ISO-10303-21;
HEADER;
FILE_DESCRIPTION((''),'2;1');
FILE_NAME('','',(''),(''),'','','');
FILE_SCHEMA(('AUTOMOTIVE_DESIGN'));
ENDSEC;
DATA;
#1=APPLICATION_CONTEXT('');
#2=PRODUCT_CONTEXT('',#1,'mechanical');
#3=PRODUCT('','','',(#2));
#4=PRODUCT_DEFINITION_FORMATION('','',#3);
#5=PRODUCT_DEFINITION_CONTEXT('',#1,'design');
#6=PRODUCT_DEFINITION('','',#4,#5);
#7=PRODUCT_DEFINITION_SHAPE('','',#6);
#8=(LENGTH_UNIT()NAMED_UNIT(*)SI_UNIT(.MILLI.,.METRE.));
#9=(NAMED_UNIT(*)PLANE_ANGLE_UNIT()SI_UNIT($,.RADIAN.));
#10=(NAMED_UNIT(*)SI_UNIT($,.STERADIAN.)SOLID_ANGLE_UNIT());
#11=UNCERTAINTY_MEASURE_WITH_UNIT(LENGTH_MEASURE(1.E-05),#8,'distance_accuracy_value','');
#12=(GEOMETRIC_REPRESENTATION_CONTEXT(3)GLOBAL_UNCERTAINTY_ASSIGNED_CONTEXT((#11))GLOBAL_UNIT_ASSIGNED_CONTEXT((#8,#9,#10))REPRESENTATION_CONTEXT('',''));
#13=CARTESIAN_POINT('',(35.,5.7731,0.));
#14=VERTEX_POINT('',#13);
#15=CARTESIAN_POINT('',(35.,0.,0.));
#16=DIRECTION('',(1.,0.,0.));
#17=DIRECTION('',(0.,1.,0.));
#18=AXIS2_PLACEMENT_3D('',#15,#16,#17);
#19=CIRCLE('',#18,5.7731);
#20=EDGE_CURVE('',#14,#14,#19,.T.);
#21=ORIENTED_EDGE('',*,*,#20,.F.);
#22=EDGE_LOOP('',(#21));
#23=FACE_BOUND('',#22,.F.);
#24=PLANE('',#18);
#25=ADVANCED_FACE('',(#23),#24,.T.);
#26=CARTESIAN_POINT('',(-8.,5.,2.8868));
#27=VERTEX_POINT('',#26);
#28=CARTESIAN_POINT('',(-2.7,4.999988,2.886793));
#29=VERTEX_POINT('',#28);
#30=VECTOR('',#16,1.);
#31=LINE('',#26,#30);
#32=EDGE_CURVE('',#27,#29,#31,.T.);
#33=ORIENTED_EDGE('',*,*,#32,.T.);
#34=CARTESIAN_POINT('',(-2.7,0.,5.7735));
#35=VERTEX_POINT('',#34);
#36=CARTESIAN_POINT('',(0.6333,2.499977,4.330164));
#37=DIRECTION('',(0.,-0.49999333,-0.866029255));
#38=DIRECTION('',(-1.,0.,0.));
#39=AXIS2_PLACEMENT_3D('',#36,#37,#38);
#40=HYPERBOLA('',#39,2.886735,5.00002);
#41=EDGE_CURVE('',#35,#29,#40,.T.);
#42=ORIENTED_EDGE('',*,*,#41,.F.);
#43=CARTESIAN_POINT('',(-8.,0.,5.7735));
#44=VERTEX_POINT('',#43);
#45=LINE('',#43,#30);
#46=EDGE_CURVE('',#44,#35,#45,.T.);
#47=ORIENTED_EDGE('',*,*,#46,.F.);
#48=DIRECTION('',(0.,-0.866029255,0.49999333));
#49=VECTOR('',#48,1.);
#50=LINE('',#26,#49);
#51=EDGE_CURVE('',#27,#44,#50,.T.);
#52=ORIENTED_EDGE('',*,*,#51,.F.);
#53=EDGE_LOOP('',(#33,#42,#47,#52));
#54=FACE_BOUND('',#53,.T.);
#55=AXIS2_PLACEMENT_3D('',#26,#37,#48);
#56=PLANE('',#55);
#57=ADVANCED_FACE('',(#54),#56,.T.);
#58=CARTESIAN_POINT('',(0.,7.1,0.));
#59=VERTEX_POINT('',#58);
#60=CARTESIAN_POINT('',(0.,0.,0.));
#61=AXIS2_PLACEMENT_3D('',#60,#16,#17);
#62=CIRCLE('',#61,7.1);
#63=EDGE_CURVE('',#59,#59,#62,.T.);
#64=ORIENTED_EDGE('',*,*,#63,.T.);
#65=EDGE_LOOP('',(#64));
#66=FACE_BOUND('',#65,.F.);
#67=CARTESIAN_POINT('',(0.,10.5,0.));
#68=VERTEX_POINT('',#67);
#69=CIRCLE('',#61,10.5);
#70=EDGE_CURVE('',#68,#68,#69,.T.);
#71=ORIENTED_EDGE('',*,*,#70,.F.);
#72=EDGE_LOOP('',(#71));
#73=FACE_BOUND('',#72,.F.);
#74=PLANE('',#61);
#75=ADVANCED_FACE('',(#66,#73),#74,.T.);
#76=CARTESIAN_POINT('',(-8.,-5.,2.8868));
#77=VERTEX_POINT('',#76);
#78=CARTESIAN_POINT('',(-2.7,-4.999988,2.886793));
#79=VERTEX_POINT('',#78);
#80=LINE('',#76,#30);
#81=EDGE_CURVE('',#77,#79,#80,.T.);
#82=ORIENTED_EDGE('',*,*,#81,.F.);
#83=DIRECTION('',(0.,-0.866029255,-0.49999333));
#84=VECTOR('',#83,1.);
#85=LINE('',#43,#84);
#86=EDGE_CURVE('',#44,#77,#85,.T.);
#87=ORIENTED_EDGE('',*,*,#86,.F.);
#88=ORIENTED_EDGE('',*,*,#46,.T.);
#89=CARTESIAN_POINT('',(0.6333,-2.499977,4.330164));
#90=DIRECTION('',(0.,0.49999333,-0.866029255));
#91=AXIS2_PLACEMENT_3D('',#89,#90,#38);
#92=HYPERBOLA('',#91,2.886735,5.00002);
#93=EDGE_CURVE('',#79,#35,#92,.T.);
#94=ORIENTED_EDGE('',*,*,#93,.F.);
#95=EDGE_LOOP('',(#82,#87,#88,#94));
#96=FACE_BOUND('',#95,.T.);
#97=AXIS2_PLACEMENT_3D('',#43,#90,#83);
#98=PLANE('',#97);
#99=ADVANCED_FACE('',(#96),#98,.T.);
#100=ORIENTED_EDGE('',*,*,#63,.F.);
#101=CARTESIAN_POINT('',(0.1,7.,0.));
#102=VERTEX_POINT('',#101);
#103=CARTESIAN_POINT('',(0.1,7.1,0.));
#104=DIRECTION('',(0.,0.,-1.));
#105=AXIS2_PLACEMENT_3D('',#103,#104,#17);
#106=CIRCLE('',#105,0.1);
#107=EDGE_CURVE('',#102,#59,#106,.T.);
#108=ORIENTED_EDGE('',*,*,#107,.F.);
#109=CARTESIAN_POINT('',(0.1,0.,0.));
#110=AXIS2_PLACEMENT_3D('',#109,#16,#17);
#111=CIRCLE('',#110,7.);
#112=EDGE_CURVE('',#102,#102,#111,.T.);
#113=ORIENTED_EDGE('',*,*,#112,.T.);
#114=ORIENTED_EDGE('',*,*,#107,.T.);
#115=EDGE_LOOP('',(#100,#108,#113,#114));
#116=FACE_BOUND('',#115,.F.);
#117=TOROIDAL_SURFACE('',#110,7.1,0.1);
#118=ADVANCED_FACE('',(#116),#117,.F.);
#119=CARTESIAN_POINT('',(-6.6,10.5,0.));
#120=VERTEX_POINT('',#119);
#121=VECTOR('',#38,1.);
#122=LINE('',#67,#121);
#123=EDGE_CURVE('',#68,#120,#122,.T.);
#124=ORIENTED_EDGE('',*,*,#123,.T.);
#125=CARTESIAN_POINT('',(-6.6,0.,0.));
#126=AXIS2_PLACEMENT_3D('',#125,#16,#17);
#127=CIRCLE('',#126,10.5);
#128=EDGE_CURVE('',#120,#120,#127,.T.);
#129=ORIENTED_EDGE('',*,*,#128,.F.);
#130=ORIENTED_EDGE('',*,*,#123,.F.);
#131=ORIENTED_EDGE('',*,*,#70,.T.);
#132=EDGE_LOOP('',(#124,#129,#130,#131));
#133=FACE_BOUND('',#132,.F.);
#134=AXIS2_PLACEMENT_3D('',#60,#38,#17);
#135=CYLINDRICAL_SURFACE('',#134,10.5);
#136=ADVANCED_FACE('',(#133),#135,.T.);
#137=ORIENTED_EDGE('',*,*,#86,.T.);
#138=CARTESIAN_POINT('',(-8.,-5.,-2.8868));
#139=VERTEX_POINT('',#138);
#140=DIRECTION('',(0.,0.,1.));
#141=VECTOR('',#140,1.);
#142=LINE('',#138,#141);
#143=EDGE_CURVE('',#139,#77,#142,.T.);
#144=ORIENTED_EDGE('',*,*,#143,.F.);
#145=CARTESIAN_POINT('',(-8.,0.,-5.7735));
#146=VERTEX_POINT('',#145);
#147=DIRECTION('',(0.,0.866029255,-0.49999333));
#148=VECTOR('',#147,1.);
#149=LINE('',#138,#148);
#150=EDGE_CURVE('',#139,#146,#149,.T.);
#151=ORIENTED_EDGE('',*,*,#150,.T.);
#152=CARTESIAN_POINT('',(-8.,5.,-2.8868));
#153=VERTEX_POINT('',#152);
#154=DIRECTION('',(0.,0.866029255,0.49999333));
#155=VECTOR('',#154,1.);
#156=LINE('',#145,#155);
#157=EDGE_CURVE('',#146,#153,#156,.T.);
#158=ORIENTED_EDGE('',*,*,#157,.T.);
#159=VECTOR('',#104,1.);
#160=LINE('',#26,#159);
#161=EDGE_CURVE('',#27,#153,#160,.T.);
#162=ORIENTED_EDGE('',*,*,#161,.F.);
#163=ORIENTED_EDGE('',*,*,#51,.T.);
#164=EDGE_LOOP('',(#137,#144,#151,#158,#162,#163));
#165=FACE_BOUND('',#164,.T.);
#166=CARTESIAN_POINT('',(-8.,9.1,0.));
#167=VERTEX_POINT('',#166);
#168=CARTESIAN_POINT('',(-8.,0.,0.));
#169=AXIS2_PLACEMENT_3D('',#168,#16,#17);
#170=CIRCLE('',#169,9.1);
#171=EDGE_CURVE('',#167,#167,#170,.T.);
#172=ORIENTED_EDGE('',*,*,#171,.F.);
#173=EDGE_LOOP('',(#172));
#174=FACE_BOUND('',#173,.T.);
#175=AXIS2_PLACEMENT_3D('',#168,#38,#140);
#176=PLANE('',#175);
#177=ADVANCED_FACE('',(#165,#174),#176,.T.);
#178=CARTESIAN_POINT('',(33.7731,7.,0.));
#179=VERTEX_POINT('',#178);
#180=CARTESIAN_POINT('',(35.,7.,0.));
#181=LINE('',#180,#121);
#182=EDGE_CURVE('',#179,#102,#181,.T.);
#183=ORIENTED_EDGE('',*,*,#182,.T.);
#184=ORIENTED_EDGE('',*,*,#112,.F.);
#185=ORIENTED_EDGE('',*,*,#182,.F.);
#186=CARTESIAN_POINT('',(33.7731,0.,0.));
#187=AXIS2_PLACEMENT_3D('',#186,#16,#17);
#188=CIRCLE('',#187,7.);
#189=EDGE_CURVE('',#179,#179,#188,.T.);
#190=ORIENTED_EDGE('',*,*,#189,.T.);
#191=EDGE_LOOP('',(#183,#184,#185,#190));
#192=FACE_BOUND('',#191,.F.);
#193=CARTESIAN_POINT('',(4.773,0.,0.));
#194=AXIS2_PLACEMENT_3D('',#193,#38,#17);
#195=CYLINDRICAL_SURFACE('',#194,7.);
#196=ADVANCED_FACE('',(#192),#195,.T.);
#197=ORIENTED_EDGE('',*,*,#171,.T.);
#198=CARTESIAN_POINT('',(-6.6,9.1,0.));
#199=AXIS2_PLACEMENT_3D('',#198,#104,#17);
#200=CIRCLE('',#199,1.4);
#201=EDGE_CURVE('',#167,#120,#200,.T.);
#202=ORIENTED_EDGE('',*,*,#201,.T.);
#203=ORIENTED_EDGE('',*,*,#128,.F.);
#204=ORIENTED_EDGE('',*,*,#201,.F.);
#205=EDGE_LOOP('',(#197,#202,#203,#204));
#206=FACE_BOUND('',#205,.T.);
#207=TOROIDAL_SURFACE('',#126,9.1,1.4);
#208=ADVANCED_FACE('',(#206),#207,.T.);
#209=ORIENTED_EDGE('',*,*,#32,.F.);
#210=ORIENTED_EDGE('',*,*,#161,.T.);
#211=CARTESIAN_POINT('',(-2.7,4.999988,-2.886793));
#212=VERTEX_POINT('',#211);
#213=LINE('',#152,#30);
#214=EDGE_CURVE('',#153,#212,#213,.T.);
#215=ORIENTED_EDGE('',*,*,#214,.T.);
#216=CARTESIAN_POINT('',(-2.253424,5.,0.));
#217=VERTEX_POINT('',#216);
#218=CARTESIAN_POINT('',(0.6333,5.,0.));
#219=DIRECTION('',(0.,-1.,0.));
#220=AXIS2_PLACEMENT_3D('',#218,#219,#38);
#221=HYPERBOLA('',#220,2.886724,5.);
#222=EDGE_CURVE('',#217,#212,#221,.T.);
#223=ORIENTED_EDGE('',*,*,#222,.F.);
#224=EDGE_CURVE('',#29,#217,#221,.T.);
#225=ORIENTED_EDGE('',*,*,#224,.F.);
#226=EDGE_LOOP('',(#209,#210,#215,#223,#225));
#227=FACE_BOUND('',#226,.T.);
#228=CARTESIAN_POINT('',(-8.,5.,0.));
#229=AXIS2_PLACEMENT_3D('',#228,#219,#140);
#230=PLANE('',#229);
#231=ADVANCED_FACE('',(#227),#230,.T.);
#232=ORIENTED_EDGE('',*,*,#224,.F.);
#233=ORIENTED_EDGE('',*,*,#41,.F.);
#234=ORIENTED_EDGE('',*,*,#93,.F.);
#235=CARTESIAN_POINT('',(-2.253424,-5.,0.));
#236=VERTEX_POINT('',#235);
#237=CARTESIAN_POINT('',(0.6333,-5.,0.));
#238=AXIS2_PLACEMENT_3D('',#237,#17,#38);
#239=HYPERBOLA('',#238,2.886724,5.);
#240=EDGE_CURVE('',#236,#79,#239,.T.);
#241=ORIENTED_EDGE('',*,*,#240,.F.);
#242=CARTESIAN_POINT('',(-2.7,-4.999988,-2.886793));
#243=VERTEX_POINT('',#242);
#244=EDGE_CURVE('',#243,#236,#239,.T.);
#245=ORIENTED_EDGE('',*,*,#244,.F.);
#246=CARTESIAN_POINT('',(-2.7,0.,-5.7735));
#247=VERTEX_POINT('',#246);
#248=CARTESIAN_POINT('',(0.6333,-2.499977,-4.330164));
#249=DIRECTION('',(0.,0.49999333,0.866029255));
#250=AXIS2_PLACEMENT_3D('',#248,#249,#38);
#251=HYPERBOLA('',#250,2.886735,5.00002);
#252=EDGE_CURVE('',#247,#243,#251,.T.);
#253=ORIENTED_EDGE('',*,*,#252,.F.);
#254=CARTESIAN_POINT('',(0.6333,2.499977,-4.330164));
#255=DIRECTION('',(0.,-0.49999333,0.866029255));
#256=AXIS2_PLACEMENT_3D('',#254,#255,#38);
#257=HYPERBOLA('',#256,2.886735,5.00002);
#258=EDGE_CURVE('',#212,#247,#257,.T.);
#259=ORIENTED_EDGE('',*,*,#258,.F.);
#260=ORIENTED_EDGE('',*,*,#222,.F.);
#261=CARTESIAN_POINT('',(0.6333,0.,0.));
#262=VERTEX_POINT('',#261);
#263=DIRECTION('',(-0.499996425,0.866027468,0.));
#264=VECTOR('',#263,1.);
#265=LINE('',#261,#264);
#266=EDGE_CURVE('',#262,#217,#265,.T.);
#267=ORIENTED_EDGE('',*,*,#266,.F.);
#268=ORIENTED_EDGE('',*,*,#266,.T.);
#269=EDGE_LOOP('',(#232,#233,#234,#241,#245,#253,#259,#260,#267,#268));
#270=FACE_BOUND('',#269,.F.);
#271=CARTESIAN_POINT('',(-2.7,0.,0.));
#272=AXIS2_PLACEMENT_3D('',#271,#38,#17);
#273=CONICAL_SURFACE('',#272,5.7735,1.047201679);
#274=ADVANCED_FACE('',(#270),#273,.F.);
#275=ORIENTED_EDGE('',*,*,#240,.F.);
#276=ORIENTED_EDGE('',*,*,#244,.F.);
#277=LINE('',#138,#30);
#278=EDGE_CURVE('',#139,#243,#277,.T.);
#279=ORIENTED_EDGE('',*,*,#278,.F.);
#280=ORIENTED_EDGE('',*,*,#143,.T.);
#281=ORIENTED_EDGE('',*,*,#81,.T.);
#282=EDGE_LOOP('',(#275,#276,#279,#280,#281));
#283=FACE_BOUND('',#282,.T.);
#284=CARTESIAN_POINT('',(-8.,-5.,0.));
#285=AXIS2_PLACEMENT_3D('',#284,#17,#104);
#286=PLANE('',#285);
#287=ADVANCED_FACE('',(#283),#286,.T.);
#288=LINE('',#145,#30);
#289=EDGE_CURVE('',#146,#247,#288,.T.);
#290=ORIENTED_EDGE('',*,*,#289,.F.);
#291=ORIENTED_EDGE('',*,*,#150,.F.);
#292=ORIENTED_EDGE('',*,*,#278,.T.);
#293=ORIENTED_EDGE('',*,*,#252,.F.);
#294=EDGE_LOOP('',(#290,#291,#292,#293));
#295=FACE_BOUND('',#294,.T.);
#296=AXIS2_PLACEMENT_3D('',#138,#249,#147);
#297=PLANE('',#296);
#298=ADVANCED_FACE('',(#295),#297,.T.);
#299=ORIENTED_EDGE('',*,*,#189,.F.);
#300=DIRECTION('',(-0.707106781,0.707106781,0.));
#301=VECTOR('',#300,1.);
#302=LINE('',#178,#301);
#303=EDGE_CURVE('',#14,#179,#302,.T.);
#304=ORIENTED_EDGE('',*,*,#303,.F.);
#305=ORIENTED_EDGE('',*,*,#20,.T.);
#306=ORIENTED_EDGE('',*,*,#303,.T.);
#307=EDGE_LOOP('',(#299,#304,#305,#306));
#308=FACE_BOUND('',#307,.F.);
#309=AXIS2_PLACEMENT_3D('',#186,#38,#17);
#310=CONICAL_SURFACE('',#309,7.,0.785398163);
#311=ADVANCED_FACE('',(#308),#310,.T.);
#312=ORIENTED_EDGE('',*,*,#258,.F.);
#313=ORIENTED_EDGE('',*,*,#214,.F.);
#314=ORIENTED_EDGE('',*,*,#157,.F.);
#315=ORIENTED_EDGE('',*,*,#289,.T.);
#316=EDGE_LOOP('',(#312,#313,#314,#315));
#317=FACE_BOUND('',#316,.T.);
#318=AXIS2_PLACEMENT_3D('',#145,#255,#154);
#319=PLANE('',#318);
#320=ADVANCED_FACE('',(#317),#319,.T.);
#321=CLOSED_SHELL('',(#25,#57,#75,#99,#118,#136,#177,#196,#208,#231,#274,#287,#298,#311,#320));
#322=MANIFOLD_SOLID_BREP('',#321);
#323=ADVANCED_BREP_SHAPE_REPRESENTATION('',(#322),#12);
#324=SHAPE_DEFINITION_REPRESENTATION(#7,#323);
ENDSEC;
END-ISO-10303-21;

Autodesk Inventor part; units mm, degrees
ref_plane "YZ Plane" through (0, 0, 0) normal (1, 0, 0) x (0, 1, 0)
ref_plane "XZ Plane" through (0, 0, 0) normal (0, 1, 0) x (-1, 0, 0)
sketch "Sketch1" plane through (0, 0, 0) normal (0, 0, 1) x (1, 0, 0)
  line L0 (0.6333, 0) -> (35, 0)
  line L1 (35, 0) -> (35, 7)
  line L2 (35, 7) -> (6, 7)
  line L3 (6, 7) -> (4.773, 7)
  line L4 (4.773, 7) -> (0, 7)
  line L5 (0, 7) -> (0, 10.5)
  line L6 (0, 10.5) -> (-8, 10.5)
  line L7 (-8, 10.5) -> (-8, 5.7735)
  line L8 (-8, 5.7735) -> (-2.7, 5.7735)
  line L9 (-2.7, 5.7735) -> (0.6333, 0)
  line L10 (-16.6, 0) -> (43.6, 0) projected
  line L11 (0, -2.1) -> (0, 12.6) projected
  line L12 (6, 7) -> (0, 7) construction
  dimension "d1" = 29
  dimension "d2" = 1.227
  dimension "d3" = 8
  dimension "d4" = 5.3
  dimension "d5" = 60
  dimension "d6" = 14
  dimension "d7" = 14
  dimension "d8" = 11.547
  dimension "d9" = 21
  dimension "d26" = 35
revolve "Body" add sketch "Sketch1" angle 360 about axis through (0.6333, 0, 0) along (1, 0, 0) contours L9 L11 L4 L3 L2 L1 L0 | L9 L8 L7 L6 L5 L11
sketch "Sketch2" plane through (-8, 0, 0) normal (-1, 0, 0) x (0, 0, 1)
  circle A0 centre (0, 0) radius 5.7735 projected
  line L0 (0, -14.7) -> (0, 14.7) projected
  line L1 (-14.7, 0) -> (14.7, 0) projected
  line L2 (5.7735, 0) -> (2.8868, -5)
  line L3 (2.8868, -5) -> (-2.8868, -5)
  line L4 (-2.8868, -5) -> (-5.7735, 0)
  line L5 (-5.7735, 0) -> (-2.8868, 5)
  line L6 (-2.8868, 5) -> (2.8868, 5)
  line L7 (2.8868, 5) -> (5.7735, 0)
extrude "Slot" add sketch "Sketch2" against normal up to next contours L7 A0 | A0 L2 | L6 L0 A0 | A0 L0 L3 | L0 L6 A0 | A0 L3 L0 | L4 A0 | A0 L5
fillet "Fillet1" radius 1.4 1 edges at (-8, -10.5, 0)
thread "Thread" size "M14x2" class "6g" standard "ISO Metric profile" length 29
chamfer "Chamfer1" distance 1.2269 distance2 1.2269 1 edges at (35, -7, 0) measured on face at (35, -0.3293, 1.9203)
ref_plane "Work Plane1" through (29, 0, 0) normal (0, -1, 0) x (1, 0, 0)
fillet "Fillet2" radius 0.1 1 edges at (0, -7, 0)
equation "\"d1\" = GEL"
equation "\"d3\" = KOH"
equation "\"d4\" = INTI"
equation "\"d6\" = GD"
equation "\"d7\" = BDM"
equation "\"d8\" = 1.1547 * SW"
equation "\"d9\" = KOD"
equation "\"d26\" = NLG"
equation "\"d30\" = R"
equation "\"d17\" = RR"
equation "\"d13\" = GEL"
equation "\"d15\" = -0.5 * SPD + 0.5 * GD"
equation "\"d16\" = GUL"
equation "\"GD\" = NND"
equation "\"NLG\" = 35"
equation "\"GEL\" = 29"
equation "\"KOD\" = 21"
equation "\"KOH\" = 8"
equation "\"INTI\" = 5.3"
equation "\"GAL\" = 0.61345 * PTC"
equation "\"GUL\" = 0.61345 * PTC"
equation "\"BDM\" = NND"
equation "\"RR\" = 1.4"
equation "\"SPD\" = NND - 1.2269 * PTC"
equation "\"R\" = 0.1"
equation "\"TOA\" = 30deg"
equation "\"GD1\" = THREADDIA - 1.2269 * PTC"
equation "\"THREADDIA\" = 14"
equation "\"FAWI\" = 45deg"
equation "\"ANG\" = 120deg"
equation "\"PTC\" = 2"
equation "\"NND\" = 14"
equation "\"E0\" = 1.155 * SW"
equation "\"SW\" = 10"
properties part number "DIN 7984 - M14 x 35" material "Steel, Mild"
